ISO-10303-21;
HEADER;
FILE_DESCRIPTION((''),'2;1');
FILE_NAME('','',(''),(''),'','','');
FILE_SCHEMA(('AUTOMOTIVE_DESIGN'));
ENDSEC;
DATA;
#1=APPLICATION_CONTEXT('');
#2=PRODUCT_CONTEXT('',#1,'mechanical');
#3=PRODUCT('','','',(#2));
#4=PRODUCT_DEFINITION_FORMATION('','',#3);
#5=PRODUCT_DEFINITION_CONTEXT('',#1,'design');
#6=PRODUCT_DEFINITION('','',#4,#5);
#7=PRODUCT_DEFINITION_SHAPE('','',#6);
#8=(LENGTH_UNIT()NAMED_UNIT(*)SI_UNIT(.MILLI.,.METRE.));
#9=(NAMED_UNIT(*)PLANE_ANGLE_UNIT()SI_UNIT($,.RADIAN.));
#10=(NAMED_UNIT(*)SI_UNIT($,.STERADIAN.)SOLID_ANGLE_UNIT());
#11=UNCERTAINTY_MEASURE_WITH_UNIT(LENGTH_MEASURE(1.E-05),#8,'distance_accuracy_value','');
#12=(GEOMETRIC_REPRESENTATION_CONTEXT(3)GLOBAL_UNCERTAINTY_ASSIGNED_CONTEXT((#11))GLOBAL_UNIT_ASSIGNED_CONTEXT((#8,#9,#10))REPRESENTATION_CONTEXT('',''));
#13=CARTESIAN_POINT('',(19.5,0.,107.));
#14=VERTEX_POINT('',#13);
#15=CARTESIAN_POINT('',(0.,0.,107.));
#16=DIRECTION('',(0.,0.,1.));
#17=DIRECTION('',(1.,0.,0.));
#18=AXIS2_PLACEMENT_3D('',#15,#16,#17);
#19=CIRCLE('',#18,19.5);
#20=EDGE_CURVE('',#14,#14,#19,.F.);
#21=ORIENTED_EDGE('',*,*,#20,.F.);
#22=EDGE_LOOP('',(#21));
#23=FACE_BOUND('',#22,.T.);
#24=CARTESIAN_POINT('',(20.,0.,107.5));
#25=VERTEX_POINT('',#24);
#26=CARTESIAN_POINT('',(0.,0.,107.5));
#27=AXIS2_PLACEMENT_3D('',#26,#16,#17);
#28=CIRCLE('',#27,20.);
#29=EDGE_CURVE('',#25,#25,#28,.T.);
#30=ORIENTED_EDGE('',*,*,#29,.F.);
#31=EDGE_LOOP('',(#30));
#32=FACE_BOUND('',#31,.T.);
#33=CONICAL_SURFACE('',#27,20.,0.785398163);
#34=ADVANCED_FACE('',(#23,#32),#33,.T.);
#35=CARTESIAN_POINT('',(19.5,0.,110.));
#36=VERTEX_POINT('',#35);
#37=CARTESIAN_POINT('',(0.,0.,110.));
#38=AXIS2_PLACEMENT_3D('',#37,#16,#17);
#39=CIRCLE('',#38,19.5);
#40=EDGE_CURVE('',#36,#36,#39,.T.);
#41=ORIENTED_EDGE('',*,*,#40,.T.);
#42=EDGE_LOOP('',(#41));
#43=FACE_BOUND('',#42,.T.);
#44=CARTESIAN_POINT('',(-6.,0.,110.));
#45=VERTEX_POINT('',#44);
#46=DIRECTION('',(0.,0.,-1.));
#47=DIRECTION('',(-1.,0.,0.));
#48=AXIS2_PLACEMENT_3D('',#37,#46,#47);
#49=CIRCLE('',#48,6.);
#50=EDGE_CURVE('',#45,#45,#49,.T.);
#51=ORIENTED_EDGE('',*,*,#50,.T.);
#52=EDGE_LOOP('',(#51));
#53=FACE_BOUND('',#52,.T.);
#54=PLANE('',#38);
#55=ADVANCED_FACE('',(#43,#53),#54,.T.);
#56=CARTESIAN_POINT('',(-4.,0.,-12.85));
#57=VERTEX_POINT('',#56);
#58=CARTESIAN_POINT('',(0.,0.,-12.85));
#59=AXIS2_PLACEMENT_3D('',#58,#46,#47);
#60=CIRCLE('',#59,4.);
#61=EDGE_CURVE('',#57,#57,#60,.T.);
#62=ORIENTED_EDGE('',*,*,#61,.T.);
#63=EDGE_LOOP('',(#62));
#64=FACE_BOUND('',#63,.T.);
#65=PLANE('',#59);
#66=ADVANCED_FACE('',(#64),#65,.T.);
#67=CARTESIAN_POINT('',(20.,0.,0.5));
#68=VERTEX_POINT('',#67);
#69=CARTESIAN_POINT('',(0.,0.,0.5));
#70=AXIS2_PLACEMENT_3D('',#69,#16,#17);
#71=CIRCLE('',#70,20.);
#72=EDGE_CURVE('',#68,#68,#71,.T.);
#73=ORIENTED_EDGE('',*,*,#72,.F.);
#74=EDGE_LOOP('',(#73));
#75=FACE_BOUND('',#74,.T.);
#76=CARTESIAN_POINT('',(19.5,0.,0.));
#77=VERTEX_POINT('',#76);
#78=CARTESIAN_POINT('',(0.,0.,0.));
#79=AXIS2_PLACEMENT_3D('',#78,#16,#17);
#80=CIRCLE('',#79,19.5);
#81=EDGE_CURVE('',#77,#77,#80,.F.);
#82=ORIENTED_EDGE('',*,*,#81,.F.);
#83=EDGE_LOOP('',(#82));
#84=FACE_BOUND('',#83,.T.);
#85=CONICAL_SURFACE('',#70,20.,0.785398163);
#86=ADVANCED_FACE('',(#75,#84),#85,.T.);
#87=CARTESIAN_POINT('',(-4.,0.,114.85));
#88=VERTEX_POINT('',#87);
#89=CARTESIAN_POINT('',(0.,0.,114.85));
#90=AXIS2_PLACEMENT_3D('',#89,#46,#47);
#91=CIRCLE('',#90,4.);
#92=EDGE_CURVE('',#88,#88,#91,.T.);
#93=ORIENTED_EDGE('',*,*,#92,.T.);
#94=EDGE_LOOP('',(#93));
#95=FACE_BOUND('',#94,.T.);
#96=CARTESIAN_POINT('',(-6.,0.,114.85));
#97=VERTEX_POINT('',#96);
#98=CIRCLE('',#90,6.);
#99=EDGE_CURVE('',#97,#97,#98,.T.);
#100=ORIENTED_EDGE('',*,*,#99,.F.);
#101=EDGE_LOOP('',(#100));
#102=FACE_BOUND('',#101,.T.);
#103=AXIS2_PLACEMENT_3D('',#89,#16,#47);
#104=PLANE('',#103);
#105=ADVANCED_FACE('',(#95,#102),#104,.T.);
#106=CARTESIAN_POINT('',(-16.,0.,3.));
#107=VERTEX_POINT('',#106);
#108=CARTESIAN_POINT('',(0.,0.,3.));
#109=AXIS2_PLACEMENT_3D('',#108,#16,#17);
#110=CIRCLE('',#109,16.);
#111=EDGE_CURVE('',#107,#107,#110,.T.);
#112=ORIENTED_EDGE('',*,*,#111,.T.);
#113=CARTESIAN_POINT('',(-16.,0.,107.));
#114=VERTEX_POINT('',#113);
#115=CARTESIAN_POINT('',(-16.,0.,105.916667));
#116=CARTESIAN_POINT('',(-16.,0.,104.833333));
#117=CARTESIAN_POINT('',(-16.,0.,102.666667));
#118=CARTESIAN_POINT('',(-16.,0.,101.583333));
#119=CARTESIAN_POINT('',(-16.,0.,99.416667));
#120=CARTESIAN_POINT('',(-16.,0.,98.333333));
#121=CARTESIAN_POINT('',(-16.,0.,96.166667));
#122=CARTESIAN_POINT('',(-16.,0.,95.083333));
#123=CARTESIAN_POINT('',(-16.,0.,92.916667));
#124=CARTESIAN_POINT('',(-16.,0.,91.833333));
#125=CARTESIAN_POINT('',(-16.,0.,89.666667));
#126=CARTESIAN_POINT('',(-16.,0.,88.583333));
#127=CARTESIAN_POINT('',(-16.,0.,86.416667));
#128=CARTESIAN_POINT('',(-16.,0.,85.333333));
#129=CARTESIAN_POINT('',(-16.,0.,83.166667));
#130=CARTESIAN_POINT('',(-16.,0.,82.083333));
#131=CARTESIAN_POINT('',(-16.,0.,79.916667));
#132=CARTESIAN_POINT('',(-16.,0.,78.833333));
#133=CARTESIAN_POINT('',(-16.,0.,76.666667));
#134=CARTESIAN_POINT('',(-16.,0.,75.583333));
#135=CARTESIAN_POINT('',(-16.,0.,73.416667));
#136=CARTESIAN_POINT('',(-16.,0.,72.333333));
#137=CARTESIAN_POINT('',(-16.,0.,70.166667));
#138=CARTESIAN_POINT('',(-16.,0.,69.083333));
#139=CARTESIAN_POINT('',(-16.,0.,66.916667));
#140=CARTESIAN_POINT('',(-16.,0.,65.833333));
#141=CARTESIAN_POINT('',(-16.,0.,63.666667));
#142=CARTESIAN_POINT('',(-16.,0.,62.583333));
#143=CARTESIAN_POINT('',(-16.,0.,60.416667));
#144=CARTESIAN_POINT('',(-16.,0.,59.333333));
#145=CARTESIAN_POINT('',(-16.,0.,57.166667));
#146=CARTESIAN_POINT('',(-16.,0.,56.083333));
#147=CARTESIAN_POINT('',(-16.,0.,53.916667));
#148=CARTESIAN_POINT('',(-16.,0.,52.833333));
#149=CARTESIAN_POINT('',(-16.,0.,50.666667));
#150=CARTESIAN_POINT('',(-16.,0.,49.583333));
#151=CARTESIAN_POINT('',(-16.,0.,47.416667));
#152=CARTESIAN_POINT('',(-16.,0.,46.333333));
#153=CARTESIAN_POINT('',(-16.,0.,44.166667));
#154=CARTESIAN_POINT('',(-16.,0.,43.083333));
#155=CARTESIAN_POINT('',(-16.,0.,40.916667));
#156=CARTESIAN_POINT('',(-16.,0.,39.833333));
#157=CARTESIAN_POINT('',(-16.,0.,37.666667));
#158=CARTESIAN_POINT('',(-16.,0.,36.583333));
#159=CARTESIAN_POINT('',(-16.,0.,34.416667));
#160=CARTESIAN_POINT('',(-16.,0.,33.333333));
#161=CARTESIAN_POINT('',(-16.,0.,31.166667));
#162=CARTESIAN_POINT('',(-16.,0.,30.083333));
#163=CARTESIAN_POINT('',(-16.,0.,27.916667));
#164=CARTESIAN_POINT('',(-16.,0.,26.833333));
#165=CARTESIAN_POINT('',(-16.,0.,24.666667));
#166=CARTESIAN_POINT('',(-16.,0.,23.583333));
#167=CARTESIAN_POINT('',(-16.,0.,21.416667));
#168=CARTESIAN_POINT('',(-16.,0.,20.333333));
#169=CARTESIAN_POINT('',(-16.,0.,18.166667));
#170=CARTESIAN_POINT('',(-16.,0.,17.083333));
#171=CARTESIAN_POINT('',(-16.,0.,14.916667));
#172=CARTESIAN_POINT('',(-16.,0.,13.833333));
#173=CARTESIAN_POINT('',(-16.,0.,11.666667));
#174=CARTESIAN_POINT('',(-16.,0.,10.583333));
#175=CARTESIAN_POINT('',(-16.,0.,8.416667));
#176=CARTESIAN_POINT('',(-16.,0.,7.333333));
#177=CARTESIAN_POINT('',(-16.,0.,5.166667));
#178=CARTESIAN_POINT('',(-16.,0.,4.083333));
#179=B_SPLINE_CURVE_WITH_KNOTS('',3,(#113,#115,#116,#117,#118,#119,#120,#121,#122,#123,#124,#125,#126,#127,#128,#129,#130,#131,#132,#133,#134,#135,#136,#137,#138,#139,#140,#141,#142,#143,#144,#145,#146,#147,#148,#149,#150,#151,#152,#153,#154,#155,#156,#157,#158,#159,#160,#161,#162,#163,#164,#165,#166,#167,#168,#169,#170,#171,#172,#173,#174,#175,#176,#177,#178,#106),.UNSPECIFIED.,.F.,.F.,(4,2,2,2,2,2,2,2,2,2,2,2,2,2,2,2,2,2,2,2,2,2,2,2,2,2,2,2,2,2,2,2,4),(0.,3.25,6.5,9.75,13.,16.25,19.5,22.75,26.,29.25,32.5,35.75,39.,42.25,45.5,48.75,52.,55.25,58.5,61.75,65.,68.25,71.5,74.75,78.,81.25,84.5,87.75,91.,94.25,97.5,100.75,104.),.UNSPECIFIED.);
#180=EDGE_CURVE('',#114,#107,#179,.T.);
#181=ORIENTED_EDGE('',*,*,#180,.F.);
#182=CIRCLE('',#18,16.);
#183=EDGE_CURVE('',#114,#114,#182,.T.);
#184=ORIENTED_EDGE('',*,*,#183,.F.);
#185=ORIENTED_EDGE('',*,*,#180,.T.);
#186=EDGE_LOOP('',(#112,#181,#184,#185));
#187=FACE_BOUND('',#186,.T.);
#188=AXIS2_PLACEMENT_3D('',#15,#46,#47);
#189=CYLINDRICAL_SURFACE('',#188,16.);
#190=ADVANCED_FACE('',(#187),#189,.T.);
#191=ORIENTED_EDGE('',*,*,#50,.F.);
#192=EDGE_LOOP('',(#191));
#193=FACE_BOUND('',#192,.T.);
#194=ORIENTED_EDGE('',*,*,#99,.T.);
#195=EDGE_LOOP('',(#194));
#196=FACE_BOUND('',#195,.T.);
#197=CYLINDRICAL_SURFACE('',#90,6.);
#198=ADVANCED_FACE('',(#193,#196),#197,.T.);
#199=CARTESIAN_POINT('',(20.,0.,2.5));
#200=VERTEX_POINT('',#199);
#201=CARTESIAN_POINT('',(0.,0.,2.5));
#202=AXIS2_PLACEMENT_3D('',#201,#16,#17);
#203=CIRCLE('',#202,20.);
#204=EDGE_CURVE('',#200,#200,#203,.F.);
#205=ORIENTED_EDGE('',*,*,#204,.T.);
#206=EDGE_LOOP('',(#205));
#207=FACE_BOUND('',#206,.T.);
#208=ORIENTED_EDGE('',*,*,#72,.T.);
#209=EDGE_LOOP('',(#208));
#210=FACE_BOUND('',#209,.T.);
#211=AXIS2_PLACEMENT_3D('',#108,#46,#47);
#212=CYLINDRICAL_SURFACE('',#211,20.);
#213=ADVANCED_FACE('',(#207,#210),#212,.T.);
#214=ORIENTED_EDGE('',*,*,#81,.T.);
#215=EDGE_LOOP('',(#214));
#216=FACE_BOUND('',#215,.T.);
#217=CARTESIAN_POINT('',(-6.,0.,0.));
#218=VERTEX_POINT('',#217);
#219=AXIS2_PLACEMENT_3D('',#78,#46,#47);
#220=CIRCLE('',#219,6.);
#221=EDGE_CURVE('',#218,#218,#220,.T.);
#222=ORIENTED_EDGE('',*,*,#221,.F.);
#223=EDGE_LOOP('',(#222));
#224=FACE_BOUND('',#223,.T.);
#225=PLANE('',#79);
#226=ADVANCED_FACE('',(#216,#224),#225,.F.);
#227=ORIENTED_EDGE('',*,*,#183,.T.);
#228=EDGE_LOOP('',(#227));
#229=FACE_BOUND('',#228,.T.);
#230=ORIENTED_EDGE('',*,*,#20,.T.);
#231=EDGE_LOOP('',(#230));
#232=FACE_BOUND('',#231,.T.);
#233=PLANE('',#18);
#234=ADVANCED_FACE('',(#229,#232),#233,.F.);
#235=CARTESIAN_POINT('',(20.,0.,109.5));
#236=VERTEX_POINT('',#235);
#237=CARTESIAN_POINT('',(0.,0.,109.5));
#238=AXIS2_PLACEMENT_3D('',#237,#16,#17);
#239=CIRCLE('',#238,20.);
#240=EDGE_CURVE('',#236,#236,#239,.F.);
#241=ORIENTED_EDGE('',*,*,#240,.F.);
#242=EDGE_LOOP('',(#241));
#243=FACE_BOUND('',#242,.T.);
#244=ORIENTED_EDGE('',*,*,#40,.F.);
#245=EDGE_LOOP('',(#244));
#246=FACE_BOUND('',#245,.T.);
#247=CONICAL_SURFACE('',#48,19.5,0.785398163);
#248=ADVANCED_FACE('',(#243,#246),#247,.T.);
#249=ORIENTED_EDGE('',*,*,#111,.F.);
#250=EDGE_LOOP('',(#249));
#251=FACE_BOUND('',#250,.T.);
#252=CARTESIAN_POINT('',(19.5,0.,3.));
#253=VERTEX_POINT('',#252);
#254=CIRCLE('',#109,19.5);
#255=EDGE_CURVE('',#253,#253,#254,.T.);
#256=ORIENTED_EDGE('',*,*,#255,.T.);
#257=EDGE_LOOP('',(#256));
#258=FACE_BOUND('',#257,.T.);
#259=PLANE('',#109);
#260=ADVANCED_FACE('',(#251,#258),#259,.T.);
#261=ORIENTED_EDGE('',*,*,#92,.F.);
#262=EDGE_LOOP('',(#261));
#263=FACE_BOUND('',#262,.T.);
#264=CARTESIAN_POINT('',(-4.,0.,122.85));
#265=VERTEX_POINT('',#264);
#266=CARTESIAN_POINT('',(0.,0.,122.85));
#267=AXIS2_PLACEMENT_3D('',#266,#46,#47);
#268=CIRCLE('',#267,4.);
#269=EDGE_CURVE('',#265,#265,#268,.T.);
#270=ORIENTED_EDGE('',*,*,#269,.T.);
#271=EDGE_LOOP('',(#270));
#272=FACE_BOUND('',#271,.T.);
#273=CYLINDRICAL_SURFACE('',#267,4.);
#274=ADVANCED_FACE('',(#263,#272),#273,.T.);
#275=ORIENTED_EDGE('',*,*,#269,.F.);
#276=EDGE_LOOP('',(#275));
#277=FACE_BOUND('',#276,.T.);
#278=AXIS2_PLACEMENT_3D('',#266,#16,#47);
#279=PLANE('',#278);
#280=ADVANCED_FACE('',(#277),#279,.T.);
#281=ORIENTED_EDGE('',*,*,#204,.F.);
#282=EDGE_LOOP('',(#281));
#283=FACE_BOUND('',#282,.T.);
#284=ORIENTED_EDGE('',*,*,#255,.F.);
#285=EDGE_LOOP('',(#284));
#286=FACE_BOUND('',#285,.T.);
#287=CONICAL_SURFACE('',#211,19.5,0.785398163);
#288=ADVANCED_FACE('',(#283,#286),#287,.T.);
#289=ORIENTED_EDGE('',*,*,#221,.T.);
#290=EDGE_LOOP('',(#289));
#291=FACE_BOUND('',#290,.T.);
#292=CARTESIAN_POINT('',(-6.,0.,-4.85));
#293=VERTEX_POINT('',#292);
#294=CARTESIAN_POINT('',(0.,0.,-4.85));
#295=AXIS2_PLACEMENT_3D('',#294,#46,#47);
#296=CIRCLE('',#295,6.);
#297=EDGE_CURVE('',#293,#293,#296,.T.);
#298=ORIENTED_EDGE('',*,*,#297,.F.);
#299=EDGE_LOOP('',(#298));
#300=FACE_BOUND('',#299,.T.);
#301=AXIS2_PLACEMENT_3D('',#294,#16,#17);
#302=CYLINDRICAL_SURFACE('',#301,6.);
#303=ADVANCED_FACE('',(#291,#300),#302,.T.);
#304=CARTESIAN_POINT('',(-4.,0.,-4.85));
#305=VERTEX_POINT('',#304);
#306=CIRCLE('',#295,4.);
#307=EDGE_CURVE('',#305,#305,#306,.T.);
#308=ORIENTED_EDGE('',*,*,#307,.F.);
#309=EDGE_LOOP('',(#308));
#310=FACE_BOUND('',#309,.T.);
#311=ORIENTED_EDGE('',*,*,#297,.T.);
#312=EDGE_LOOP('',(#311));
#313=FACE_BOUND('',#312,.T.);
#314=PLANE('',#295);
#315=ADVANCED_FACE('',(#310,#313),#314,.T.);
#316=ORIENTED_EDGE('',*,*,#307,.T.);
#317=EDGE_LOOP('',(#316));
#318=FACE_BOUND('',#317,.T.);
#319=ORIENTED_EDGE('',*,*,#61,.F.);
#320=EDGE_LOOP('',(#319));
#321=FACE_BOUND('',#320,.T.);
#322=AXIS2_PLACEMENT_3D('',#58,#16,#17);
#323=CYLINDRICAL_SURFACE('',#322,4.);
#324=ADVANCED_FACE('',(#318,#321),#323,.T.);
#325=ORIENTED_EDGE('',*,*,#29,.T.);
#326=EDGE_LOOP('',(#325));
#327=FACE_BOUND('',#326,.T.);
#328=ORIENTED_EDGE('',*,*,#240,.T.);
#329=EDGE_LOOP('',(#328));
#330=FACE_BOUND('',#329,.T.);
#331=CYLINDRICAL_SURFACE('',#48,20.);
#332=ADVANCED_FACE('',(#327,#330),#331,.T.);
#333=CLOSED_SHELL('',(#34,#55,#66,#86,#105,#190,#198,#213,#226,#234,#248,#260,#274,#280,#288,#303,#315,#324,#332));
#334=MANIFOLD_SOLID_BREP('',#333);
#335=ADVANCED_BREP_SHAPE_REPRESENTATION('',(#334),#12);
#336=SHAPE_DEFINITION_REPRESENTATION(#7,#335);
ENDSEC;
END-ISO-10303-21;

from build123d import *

# Parameters (mm, degrees)
SKETCH1_R           = 20
BOSS_EXTRUDE1_DEPTH = 3
CHAMFER1_SIZE       = 0.5
SKETCH2_R           = 16
BOSS_EXTRUDE2_DEPTH = 104
SKETCH3_R           = 20
BOSS_EXTRUDE3_DEPTH = 3
CHAMFER2_SIZE       = 0.5
SKETCH4_R           = 6
BOSS_EXTRUDE4_DEPTH = 4.85
SKETCH5_R           = 4
BOSS_EXTRUDE5_DEPTH = 8


with BuildPart() as part:
    # Sketch1 → Boss-Extrude1 (new body)
    with BuildSketch(Plane.XY):
        Circle(SKETCH1_R)
    extrude(amount=BOSS_EXTRUDE1_DEPTH)

    # Chamfer1
    chamfer1_edges = [part.edges().sort_by_distance(p)[0] for p in [
        (-20, 0, 0),
        (-20, 0, 3),
    ]]
    chamfer(chamfer1_edges, length=CHAMFER1_SIZE)

    # Sketch2 → Boss-Extrude2 (add)
    with BuildSketch(Plane.XY.offset(3)):
        with Locations(Location((0, 0, 0), (0, 0, 180))):
            Circle(SKETCH2_R)
    extrude(amount=BOSS_EXTRUDE2_DEPTH)

    # Sketch3 → Boss-Extrude3 (add)
    with BuildSketch(Plane.XY.offset(107)):
        Circle(SKETCH3_R)
    extrude(amount=BOSS_EXTRUDE3_DEPTH)

    # Chamfer2
    chamfer2_edges = [part.edges().sort_by_distance(p)[0] for p in [
        (-20, 0, 107),
        (-20, 0, 110),
    ]]
    chamfer(chamfer2_edges, length=CHAMFER2_SIZE)

    # Sketch4 → Boss-Extrude4 (add)
    with BuildSketch(Plane(origin=(0, 0, 0), x_dir=(-1, 0, 0), z_dir=(0, 0, -1))):
        Circle(SKETCH4_R)
    boss_extrude4 = extrude(amount=BOSS_EXTRUDE4_DEPTH)

    # Sketch5 → Boss-Extrude5 (add)
    with BuildSketch(Plane(origin=(0, 0, -4.85), x_dir=(-1, 0, 0), z_dir=(0, 0, -1))):
        Circle(SKETCH5_R)
    boss_extrude5 = extrude(amount=BOSS_EXTRUDE5_DEPTH)

    # Mirror2: Boss-Extrude4, Boss-Extrude5 across plane
    add(boss_extrude4.mirror(Plane(origin=(0, 0, 55), x_dir=(1, 0, 0), z_dir=(0, 0, -1))))
    add(boss_extrude5.mirror(Plane(origin=(0, 0, 55), x_dir=(1, 0, 0), z_dir=(0, 0, -1))))


solid = part.part
